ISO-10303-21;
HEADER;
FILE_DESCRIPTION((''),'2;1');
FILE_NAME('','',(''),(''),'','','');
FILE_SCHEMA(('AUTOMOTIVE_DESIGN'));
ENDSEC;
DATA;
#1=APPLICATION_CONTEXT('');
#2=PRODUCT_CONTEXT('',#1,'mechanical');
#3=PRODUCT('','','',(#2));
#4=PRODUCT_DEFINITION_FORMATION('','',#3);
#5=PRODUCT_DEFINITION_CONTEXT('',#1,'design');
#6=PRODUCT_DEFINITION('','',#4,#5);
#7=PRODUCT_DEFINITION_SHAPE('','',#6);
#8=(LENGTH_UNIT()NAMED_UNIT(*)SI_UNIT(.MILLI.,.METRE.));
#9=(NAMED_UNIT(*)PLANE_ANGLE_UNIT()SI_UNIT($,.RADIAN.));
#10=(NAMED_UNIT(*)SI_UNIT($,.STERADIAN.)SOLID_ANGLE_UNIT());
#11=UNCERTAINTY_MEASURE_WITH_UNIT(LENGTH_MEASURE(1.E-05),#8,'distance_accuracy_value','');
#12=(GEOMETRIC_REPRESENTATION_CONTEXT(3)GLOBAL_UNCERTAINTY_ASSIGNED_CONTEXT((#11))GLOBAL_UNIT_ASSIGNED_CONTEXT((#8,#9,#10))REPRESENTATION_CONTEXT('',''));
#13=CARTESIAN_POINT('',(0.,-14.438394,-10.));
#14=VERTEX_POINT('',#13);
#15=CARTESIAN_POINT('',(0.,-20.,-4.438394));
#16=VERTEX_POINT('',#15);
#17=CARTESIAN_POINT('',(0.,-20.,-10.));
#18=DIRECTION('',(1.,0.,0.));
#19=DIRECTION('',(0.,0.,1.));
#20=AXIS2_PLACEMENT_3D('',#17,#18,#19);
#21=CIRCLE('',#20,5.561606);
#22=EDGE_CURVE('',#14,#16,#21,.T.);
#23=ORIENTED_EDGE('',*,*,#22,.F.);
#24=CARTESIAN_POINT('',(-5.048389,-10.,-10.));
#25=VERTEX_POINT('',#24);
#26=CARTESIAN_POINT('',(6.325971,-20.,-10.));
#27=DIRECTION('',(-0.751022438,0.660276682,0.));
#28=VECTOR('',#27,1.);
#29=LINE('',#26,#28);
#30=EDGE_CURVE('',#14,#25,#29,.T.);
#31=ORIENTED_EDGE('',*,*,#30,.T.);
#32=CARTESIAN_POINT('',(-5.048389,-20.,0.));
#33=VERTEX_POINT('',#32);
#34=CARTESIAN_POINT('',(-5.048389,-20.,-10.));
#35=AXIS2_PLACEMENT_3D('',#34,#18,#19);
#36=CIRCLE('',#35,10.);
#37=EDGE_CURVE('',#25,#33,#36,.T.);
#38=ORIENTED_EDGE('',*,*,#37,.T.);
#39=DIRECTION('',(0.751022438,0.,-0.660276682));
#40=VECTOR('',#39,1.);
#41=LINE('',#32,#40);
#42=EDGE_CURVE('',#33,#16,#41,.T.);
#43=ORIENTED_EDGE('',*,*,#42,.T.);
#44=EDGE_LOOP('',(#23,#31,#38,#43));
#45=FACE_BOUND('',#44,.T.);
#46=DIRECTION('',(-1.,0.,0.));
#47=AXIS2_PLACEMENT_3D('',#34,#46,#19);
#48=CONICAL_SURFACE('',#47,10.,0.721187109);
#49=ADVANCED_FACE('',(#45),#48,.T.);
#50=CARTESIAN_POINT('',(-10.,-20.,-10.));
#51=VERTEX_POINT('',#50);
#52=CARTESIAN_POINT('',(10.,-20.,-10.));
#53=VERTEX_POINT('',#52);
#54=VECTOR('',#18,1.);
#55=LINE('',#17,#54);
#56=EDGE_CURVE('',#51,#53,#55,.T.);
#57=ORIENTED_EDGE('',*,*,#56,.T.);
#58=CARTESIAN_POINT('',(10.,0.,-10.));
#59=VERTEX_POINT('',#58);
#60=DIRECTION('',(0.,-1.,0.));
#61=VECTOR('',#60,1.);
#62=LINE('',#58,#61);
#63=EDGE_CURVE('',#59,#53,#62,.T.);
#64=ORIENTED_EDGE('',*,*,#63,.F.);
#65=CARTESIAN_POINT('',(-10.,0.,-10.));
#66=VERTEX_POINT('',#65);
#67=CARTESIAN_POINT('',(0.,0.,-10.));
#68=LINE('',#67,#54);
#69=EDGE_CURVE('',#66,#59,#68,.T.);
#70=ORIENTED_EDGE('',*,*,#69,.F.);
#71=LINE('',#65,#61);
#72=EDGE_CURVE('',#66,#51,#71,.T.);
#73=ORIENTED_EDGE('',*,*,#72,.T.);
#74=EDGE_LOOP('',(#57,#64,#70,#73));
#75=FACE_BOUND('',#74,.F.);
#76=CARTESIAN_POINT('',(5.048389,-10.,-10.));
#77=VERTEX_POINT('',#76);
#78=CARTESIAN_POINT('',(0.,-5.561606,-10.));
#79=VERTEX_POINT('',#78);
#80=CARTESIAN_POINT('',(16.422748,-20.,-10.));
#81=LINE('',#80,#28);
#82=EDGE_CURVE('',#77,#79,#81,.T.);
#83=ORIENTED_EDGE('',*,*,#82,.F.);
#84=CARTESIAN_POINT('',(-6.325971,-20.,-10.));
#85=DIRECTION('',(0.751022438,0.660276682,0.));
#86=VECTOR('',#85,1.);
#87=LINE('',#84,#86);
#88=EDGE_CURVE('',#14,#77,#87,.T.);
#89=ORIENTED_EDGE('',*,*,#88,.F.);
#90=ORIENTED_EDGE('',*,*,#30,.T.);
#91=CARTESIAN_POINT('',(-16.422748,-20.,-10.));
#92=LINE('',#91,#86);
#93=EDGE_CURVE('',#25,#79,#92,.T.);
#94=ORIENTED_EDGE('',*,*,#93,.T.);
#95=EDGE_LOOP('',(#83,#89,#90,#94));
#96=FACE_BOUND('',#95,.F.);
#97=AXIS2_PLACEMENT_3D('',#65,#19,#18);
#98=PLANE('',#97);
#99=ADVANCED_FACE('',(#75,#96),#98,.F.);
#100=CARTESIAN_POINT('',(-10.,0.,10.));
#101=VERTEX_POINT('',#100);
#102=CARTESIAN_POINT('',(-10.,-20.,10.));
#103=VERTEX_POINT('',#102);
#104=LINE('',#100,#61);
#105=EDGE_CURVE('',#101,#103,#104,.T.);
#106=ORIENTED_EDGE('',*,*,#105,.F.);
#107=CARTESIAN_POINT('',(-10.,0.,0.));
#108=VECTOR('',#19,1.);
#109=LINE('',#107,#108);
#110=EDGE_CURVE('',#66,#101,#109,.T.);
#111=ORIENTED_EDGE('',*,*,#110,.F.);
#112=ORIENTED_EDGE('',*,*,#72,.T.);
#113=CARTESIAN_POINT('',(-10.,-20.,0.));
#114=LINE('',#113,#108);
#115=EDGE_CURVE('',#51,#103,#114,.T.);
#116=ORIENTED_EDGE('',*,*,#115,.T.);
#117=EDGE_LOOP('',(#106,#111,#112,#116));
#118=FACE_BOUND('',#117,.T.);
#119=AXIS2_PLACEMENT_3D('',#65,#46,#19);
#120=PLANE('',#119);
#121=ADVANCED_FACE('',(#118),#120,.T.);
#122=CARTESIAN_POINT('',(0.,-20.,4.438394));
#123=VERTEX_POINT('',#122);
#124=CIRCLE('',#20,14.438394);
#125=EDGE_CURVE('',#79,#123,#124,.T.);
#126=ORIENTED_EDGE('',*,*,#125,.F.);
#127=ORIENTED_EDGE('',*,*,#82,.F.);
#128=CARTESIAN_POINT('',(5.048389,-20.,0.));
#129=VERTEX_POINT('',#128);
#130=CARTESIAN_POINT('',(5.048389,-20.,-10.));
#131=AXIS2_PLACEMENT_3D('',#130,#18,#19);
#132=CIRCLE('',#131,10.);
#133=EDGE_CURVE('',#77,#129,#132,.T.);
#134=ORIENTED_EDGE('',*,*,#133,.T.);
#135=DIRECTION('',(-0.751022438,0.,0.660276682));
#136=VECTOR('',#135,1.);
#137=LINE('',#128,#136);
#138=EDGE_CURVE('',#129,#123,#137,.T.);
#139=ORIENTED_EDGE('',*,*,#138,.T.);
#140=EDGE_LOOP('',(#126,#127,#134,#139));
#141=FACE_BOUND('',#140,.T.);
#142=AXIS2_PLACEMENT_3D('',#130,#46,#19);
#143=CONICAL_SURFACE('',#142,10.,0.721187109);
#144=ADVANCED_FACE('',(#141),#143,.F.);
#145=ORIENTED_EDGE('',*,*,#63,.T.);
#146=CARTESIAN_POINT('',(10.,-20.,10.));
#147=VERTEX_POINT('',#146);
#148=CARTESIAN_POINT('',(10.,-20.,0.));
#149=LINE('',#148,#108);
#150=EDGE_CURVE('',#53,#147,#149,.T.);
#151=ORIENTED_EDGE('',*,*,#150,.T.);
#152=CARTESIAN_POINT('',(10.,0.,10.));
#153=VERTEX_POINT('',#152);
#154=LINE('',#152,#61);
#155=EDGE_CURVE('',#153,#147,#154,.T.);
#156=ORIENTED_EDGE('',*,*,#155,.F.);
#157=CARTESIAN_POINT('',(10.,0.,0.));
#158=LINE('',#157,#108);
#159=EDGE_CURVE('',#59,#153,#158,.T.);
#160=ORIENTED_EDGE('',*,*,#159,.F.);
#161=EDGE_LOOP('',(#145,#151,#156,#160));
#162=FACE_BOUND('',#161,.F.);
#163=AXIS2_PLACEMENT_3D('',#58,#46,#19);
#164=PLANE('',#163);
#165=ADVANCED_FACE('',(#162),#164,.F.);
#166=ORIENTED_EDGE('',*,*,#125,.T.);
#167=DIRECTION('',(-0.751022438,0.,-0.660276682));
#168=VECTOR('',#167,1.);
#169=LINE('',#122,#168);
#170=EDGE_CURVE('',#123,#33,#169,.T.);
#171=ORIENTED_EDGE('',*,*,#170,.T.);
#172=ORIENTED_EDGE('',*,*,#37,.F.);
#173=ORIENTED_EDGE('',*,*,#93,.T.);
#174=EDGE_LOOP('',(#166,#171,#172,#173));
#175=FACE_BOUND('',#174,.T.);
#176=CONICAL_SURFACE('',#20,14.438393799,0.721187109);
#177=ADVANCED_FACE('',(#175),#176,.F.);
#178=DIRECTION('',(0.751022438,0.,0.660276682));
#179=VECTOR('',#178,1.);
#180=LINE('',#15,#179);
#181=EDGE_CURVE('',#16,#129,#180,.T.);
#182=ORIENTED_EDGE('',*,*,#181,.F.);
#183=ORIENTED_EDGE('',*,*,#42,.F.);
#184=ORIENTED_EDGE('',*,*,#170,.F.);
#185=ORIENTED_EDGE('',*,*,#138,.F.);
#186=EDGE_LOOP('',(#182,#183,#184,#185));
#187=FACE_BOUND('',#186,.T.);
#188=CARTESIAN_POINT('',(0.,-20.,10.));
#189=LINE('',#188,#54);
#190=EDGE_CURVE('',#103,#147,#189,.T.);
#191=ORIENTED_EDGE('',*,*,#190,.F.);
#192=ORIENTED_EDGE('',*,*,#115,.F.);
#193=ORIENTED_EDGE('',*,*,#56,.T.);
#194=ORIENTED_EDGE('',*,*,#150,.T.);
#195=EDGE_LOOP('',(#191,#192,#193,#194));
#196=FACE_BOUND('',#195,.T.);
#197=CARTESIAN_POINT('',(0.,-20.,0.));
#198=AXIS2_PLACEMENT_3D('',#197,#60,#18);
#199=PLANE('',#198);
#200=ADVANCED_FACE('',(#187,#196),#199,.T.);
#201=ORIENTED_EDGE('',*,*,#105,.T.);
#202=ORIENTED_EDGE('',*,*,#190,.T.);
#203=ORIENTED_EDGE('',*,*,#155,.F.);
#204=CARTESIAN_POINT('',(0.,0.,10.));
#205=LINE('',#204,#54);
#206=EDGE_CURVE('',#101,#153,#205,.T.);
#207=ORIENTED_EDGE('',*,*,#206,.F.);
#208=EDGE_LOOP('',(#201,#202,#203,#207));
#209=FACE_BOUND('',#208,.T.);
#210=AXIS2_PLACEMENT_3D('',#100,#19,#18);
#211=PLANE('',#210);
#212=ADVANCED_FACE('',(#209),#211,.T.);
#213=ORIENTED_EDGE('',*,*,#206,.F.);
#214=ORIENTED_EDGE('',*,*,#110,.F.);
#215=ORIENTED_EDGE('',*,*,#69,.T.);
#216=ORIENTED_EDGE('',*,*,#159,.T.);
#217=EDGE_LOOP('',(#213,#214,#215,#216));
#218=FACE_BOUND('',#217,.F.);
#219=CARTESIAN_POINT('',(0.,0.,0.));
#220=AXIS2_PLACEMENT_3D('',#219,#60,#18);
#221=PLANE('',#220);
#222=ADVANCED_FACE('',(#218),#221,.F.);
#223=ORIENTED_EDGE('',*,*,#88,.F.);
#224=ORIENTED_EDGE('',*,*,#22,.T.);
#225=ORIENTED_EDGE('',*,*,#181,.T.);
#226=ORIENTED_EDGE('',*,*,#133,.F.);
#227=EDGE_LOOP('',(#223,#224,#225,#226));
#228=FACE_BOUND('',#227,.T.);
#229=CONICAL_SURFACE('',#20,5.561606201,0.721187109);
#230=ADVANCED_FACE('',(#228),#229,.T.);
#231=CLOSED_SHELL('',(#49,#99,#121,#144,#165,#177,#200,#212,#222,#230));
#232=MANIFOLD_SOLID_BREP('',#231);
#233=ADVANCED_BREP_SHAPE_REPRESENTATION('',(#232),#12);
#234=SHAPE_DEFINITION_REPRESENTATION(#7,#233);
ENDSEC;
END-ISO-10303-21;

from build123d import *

# Parameters (mm, degrees)
F1_W     = 20
F1_H     = 20
F2_DEPTH = 20


with BuildPart() as f2:
    # F1 (on Front) → F2 (new body)
    with BuildSketch(Plane.XZ):
        Rectangle(F1_W, F1_H)
    extrude(amount=F2_DEPTH)

    # F3 (on face) → F4 (revolve, cut)
    with BuildSketch(Plane.XZ.offset(20)):
        Polygon((0, 4.4383937992), (-5.0483886876, 0), (0, -4.4383937992), (5.0483886876, 0), align=None)
    revolve(axis=Axis((0, -20, -10), (1, 0, 0)), mode=Mode.SUBTRACT)


solid = f2.part
